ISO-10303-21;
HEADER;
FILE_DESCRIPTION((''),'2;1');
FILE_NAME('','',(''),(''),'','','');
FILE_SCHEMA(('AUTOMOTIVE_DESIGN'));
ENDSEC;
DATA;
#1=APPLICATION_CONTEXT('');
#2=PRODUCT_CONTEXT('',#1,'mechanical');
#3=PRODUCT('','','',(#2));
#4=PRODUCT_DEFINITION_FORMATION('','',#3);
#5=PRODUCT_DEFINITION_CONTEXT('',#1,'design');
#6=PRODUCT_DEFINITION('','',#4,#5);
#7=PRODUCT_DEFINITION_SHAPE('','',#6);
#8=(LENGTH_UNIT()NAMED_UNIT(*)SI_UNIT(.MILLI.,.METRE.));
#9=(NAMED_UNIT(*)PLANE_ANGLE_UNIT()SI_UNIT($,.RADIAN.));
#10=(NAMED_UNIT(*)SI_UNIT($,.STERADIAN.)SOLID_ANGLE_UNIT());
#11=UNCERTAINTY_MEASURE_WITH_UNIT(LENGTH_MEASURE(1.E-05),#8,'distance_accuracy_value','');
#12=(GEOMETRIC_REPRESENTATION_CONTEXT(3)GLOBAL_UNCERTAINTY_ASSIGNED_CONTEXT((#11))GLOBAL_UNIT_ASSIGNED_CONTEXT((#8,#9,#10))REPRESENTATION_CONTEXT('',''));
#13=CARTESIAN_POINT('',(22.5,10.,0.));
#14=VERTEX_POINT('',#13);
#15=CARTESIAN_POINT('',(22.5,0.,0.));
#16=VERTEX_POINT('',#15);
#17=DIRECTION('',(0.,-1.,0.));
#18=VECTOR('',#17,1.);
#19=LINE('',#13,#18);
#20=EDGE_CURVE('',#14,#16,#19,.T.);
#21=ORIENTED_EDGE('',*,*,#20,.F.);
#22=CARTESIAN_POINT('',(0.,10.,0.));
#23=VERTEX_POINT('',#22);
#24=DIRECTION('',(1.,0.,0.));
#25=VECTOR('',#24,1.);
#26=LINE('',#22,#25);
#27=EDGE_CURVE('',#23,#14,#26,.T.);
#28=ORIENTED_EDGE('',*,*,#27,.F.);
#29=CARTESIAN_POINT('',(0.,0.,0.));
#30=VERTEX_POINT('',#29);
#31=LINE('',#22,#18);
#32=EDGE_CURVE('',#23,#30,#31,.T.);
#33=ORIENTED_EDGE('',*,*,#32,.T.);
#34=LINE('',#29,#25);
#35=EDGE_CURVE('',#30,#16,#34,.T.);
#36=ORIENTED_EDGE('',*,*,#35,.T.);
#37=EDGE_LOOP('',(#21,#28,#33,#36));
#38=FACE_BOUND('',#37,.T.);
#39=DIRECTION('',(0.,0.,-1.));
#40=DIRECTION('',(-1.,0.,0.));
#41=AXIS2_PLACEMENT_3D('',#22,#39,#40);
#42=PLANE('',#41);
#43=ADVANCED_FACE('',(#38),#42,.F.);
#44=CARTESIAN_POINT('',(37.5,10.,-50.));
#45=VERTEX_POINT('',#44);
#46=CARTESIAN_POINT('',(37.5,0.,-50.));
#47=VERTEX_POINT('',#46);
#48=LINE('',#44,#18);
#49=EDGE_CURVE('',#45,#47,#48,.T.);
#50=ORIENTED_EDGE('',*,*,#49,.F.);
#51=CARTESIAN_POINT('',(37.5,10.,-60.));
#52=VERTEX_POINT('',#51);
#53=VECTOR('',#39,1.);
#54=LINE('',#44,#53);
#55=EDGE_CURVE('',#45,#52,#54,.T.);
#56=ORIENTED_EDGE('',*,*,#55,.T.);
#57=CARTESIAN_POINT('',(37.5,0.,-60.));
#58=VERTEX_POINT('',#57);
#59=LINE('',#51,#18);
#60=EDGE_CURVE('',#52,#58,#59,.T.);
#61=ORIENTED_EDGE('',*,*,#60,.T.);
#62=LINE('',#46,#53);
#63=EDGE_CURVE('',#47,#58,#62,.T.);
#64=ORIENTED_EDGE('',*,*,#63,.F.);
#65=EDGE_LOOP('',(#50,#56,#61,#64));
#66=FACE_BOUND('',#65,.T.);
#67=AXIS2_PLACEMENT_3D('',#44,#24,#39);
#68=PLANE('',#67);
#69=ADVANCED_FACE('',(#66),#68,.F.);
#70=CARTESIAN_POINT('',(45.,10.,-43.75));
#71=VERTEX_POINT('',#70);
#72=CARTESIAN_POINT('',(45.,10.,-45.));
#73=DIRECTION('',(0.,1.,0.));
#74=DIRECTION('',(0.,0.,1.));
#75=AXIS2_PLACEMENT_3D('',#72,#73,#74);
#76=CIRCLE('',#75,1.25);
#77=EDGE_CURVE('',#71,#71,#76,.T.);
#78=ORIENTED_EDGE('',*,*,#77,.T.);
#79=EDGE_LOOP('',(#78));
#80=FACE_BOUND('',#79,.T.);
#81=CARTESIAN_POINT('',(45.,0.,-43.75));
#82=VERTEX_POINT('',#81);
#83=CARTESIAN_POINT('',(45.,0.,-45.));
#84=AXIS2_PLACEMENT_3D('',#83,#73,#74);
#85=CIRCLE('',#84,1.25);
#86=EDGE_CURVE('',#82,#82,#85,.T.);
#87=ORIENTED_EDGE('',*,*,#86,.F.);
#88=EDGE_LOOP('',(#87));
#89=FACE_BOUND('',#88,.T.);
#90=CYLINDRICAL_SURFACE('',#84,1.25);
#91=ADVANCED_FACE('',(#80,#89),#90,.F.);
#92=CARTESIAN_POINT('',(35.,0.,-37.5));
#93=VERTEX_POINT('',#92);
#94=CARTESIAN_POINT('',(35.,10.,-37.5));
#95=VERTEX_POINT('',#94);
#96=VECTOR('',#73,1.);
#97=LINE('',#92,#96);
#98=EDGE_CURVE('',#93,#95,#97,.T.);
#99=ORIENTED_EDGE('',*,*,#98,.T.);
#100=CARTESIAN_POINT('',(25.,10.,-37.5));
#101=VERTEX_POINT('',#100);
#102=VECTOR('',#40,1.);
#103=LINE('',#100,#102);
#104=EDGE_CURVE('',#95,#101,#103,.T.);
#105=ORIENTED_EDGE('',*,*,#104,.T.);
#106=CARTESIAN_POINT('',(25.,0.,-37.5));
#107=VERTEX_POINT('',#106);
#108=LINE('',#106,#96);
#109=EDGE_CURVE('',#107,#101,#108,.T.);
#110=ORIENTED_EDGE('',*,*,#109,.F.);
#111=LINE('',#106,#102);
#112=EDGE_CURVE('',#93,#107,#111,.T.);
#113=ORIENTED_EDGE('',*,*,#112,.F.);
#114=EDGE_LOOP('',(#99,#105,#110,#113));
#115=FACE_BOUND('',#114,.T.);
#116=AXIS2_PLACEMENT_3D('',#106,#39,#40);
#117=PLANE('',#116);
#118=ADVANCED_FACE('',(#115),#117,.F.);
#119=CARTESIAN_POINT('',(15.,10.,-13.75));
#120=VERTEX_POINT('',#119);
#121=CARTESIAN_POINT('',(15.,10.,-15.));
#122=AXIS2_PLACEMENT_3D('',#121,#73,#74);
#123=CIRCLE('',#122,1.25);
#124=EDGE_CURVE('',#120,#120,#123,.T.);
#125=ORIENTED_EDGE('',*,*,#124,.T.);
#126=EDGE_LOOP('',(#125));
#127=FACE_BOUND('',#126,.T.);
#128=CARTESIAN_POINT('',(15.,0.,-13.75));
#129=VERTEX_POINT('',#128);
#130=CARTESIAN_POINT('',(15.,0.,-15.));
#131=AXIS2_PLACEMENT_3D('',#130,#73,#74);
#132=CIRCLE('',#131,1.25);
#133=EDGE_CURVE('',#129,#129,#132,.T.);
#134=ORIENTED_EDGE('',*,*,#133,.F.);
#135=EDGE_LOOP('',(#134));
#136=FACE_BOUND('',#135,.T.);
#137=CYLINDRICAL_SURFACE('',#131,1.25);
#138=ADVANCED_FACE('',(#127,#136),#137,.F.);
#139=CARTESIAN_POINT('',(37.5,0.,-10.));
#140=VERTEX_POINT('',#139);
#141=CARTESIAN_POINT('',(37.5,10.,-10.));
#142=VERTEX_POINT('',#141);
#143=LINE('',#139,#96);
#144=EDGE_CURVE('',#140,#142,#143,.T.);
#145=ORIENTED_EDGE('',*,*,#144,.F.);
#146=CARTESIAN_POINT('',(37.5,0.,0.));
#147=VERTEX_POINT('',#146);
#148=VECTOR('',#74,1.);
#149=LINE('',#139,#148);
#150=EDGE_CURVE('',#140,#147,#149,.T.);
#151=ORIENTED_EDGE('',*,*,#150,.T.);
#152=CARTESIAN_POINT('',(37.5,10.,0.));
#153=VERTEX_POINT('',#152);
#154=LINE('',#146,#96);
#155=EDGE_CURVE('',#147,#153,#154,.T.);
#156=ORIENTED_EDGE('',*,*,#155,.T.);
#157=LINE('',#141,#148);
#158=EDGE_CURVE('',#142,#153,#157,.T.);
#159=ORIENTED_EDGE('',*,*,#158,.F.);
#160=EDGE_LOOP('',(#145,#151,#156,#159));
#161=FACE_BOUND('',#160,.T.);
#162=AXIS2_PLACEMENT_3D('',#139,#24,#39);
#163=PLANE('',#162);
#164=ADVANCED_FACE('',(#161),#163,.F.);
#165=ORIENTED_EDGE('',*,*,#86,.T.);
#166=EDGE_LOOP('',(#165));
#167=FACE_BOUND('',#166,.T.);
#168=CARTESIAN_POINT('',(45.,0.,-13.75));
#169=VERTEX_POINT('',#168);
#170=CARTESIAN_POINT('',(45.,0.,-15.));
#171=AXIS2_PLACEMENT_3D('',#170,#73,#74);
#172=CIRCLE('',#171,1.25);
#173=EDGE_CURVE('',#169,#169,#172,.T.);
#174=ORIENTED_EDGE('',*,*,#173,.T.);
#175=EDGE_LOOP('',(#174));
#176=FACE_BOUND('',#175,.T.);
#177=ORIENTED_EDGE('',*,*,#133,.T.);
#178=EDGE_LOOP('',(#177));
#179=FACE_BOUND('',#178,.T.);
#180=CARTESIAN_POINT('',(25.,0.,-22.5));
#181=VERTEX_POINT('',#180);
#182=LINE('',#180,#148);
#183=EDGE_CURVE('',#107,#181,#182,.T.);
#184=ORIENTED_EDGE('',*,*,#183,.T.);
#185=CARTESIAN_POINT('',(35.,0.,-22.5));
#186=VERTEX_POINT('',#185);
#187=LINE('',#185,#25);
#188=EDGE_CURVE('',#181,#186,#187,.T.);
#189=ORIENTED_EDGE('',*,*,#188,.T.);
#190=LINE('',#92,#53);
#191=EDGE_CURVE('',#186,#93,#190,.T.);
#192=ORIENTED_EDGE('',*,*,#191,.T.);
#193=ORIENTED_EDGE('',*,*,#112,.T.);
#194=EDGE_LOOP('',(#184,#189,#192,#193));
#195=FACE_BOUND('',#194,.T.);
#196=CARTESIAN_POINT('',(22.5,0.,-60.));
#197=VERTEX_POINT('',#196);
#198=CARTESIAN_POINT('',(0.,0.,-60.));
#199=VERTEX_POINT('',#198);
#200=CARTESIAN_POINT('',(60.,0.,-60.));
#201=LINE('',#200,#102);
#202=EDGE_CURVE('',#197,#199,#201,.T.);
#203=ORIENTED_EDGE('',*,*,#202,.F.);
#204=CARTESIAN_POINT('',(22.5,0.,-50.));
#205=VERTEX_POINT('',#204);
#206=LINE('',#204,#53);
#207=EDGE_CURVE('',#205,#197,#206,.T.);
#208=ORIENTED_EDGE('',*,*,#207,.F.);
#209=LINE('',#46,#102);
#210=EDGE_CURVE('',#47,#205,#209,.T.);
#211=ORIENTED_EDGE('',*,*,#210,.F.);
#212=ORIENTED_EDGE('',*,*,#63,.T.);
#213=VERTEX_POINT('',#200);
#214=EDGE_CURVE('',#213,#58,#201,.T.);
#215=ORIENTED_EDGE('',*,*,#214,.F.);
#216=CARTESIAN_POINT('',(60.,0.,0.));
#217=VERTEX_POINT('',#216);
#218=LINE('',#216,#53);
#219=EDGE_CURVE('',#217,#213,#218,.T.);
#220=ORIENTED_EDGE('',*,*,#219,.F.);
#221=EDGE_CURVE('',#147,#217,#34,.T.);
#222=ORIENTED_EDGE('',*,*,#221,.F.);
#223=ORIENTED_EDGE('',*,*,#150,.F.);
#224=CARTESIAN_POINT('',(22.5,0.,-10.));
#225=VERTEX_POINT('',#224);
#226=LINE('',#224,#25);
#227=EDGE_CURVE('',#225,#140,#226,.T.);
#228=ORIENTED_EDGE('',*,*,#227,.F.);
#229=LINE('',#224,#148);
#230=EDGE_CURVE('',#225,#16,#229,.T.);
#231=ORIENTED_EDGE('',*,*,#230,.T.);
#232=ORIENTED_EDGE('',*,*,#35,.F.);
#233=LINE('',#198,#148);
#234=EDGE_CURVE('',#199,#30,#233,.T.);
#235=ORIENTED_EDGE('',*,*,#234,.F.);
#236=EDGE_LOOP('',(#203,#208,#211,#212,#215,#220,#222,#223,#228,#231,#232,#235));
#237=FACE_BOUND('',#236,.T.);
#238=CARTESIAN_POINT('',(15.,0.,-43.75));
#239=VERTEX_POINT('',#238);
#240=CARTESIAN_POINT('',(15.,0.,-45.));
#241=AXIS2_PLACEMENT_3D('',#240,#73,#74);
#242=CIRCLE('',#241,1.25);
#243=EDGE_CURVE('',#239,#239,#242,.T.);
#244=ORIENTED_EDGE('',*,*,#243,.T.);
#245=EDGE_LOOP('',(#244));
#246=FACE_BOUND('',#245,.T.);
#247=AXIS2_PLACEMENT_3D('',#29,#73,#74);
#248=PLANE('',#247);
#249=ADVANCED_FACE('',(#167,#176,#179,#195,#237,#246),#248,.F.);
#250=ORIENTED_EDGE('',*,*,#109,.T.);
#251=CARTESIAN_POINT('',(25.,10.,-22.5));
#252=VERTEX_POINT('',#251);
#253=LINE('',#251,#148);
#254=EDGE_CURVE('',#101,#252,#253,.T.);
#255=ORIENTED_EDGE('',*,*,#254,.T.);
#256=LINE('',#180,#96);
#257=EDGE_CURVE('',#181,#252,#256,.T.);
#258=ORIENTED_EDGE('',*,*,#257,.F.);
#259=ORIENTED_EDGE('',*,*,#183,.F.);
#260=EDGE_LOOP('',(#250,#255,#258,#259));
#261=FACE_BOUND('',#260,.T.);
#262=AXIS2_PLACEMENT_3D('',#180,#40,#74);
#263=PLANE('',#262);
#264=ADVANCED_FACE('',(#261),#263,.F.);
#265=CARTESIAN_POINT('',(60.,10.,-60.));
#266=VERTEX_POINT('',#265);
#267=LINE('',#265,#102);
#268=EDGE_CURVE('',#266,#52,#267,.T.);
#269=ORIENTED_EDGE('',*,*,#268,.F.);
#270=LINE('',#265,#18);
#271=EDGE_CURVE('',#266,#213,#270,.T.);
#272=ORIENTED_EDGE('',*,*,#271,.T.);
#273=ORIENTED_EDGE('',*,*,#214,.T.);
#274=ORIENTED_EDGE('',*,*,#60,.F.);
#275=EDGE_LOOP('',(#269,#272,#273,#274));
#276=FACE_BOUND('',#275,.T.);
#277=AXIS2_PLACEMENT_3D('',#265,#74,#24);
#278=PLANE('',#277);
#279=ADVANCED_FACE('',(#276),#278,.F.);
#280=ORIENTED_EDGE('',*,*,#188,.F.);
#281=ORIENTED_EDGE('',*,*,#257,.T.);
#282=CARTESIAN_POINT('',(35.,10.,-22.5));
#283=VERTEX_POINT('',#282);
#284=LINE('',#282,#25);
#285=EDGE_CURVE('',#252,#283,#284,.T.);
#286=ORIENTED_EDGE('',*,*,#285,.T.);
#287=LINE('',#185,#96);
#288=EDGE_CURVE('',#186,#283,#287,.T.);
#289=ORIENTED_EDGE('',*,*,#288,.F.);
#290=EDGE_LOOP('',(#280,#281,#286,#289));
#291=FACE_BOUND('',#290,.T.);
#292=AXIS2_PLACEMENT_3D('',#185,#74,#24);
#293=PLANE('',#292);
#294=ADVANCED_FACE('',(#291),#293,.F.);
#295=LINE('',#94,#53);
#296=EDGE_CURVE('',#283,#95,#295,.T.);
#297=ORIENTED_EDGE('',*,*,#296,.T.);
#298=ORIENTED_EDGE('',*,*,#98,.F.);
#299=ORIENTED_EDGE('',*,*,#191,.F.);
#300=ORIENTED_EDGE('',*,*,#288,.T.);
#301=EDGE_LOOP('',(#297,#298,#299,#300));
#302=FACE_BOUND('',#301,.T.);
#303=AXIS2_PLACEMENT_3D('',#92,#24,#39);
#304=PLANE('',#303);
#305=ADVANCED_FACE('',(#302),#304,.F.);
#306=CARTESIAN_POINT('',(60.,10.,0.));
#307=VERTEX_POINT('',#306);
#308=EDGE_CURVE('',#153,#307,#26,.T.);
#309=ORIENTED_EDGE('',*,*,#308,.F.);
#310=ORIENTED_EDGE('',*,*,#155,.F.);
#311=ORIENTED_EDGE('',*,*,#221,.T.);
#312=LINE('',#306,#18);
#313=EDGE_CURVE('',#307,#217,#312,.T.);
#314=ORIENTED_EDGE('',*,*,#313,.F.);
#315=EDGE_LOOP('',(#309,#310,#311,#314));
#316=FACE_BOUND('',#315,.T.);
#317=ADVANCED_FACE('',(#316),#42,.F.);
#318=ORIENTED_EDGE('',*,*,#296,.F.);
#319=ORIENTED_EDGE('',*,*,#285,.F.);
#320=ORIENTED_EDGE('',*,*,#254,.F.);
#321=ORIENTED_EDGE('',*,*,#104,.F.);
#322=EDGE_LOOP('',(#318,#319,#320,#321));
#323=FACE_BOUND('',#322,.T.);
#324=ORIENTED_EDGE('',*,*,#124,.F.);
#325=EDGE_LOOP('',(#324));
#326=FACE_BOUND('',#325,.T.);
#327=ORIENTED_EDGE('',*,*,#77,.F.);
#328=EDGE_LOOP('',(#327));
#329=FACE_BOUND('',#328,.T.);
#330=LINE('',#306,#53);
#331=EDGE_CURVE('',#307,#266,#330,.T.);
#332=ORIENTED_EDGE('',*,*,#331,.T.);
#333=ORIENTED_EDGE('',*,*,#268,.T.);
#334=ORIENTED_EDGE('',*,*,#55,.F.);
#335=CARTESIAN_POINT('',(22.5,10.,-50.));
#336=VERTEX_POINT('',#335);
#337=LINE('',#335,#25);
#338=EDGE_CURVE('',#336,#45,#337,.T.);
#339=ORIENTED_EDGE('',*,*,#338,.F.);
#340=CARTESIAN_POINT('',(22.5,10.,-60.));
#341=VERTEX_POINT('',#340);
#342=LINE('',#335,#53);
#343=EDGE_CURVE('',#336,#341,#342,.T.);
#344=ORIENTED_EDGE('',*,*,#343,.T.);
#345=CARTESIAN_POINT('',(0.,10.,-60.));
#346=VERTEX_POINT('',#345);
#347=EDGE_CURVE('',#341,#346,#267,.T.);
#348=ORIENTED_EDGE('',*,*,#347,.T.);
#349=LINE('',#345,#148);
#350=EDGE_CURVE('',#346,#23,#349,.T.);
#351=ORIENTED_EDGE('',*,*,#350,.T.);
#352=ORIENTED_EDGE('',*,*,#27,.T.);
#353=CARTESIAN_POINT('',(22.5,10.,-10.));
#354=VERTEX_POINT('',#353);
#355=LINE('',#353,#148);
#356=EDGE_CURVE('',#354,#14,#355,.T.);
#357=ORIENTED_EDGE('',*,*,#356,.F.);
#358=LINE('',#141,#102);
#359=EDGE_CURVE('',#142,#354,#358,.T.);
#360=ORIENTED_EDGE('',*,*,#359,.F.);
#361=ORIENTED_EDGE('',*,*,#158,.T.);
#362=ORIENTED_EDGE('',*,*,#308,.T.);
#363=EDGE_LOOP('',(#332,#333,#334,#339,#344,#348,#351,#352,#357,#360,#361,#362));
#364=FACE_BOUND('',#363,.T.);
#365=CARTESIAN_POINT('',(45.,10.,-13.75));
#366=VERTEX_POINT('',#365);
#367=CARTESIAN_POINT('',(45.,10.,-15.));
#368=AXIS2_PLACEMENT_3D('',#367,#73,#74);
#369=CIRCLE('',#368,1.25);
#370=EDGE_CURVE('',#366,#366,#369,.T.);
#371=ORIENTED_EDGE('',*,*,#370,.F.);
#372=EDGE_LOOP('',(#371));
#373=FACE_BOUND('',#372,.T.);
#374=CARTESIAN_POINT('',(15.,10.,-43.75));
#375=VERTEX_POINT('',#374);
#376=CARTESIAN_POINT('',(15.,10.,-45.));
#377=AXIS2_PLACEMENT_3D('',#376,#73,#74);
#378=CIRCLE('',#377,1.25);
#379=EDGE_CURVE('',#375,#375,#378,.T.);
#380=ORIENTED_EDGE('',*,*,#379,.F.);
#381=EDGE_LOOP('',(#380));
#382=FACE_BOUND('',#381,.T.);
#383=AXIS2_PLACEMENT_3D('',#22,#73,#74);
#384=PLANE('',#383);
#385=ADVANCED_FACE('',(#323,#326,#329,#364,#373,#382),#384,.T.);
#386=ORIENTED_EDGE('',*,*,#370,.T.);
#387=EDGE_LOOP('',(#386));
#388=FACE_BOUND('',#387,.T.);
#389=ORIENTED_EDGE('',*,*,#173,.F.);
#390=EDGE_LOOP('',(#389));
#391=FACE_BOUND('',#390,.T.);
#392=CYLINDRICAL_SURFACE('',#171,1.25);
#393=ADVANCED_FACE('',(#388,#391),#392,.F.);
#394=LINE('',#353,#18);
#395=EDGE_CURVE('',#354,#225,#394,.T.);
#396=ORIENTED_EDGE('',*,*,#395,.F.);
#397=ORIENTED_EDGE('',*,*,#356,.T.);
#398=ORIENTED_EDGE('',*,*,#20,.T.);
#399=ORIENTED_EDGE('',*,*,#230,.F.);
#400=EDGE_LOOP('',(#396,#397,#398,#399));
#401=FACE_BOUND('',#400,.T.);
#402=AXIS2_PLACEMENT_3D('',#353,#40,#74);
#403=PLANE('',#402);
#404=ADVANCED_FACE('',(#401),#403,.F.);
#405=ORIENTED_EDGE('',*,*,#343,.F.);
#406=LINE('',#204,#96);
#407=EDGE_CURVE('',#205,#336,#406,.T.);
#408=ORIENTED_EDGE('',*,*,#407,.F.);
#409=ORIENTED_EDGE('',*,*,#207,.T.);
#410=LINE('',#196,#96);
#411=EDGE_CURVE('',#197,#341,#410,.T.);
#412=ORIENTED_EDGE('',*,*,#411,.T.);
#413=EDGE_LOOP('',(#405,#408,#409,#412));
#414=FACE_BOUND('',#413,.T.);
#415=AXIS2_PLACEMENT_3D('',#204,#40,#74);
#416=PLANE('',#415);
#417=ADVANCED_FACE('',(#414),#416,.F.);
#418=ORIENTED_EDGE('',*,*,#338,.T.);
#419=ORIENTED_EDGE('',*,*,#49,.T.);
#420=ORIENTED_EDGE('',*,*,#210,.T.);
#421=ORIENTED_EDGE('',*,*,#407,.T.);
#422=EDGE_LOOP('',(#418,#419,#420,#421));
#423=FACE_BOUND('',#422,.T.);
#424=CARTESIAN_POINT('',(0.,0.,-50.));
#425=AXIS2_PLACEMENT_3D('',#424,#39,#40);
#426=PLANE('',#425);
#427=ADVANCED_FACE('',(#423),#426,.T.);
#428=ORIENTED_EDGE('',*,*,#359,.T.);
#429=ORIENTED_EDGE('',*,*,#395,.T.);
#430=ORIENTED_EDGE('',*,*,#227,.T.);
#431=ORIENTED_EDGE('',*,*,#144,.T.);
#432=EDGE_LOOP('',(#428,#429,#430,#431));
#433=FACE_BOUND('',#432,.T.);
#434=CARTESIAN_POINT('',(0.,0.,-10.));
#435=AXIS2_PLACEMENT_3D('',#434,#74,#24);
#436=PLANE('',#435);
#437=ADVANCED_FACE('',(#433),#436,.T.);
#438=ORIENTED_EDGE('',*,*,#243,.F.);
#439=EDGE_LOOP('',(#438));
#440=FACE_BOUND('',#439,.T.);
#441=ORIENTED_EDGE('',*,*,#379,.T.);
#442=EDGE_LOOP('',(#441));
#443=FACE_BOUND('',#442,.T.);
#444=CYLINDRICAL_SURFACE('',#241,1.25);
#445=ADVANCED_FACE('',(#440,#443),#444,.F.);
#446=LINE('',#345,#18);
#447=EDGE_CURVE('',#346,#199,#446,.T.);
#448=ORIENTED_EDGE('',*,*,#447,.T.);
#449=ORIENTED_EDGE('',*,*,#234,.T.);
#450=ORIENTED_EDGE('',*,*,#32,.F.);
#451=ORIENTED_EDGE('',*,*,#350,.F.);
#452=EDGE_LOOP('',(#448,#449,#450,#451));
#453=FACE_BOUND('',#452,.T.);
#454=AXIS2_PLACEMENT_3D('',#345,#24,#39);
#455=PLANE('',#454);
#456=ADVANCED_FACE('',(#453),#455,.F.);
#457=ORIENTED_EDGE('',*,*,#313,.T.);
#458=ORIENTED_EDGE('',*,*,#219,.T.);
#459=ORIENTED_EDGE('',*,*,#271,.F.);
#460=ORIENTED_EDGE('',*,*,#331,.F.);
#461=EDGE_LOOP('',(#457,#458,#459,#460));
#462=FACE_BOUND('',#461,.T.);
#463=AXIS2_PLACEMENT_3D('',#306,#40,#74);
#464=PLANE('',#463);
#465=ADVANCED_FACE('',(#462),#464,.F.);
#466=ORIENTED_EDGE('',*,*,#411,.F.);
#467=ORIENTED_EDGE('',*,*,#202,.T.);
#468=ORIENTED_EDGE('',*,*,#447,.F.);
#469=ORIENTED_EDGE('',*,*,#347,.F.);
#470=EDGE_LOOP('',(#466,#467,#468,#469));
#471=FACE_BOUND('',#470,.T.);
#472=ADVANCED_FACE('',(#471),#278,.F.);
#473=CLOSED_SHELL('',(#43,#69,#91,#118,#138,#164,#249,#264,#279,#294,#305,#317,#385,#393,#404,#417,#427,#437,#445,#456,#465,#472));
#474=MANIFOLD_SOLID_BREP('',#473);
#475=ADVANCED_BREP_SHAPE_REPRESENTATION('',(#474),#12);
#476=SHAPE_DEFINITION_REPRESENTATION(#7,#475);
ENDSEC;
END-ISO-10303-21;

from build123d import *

# Parameters (mm, degrees)
ESBO_O1_W                = 60
ESBO_O1_H                = 60
RESSALTO_EXTRUS_O1_DEPTH = 10
ESBO_O2_W                = 15
ESBO_O2_H                = 10
CORTE_EXTRUS_O1_DEPTH    = 10
ESBO_O3_W                = 15
ESBO_O3_H                = 10
CORTE_EXTRUS_O2_DEPTH    = 10
ESBO_O4_W                = 10
ESBO_O4_H                = 15
CORTE_EXTRUS_O3_DEPTH    = 86.440037453
ESBO_O5_R                = 1.25
CORTE_EXTRUS_O4_DEPTH    = 86.440037453


with BuildPart() as part:
    # Esboço1 → Ressalto-extrusão1 (new body)
    with BuildSketch(Plane(origin=(0, 0, 0), x_dir=(1, 0, 0), z_dir=(0, 1, 0))):
        with Locations((30, 30)):
            Rectangle(ESBO_O1_W, ESBO_O1_H)
    extrude(amount=RESSALTO_EXTRUS_O1_DEPTH)

    # Esboço2 → Corte-extrusão1 (cut)
    with BuildSketch(Plane.XY):
        with Locations((30, 5)):
            Rectangle(ESBO_O2_W, ESBO_O2_H)
    extrude(amount=-CORTE_EXTRUS_O1_DEPTH, mode=Mode.SUBTRACT)

    # Esboço3 → Corte-extrusão2 (cut)
    with BuildSketch(Plane(origin=(0, 0, -60), x_dir=(-1, 0, 0), z_dir=(0, 0, -1))):
        with Locations((-30, 5)):
            Rectangle(ESBO_O3_W, ESBO_O3_H)
    extrude(amount=-CORTE_EXTRUS_O2_DEPTH, mode=Mode.SUBTRACT)

    # Esboço4 → Corte-extrusão3 (cut, through all)
    with BuildSketch(Plane(origin=(0, 10, 0), x_dir=(1, 0, 0), z_dir=(0, 1, 0))):
        with Locations((30, 30)):
            Rectangle(ESBO_O4_W, ESBO_O4_H)
    extrude(amount=-CORTE_EXTRUS_O3_DEPTH, mode=Mode.SUBTRACT)

    # Esboço5 → Corte-extrusão4 (cut, through all)
    with BuildSketch(Plane(origin=(0, 10, 0), x_dir=(1, 0, 0), z_dir=(0, 1, 0))):
        with Locations(Location((45, 45, 0), (0, 0, 270))):
            Circle(ESBO_O5_R)
        with Locations(Location((15, 45, 0), (0, 0, 270))):
            Circle(ESBO_O5_R)
        with Locations(Location((45, 15, 0), (0, 0, 270))):
            Circle(ESBO_O5_R)
        with Locations(Location((15, 15, 0), (0, 0, 270))):
            Circle(ESBO_O5_R)
    extrude(amount=-CORTE_EXTRUS_O4_DEPTH, mode=Mode.SUBTRACT)


solid = part.part
